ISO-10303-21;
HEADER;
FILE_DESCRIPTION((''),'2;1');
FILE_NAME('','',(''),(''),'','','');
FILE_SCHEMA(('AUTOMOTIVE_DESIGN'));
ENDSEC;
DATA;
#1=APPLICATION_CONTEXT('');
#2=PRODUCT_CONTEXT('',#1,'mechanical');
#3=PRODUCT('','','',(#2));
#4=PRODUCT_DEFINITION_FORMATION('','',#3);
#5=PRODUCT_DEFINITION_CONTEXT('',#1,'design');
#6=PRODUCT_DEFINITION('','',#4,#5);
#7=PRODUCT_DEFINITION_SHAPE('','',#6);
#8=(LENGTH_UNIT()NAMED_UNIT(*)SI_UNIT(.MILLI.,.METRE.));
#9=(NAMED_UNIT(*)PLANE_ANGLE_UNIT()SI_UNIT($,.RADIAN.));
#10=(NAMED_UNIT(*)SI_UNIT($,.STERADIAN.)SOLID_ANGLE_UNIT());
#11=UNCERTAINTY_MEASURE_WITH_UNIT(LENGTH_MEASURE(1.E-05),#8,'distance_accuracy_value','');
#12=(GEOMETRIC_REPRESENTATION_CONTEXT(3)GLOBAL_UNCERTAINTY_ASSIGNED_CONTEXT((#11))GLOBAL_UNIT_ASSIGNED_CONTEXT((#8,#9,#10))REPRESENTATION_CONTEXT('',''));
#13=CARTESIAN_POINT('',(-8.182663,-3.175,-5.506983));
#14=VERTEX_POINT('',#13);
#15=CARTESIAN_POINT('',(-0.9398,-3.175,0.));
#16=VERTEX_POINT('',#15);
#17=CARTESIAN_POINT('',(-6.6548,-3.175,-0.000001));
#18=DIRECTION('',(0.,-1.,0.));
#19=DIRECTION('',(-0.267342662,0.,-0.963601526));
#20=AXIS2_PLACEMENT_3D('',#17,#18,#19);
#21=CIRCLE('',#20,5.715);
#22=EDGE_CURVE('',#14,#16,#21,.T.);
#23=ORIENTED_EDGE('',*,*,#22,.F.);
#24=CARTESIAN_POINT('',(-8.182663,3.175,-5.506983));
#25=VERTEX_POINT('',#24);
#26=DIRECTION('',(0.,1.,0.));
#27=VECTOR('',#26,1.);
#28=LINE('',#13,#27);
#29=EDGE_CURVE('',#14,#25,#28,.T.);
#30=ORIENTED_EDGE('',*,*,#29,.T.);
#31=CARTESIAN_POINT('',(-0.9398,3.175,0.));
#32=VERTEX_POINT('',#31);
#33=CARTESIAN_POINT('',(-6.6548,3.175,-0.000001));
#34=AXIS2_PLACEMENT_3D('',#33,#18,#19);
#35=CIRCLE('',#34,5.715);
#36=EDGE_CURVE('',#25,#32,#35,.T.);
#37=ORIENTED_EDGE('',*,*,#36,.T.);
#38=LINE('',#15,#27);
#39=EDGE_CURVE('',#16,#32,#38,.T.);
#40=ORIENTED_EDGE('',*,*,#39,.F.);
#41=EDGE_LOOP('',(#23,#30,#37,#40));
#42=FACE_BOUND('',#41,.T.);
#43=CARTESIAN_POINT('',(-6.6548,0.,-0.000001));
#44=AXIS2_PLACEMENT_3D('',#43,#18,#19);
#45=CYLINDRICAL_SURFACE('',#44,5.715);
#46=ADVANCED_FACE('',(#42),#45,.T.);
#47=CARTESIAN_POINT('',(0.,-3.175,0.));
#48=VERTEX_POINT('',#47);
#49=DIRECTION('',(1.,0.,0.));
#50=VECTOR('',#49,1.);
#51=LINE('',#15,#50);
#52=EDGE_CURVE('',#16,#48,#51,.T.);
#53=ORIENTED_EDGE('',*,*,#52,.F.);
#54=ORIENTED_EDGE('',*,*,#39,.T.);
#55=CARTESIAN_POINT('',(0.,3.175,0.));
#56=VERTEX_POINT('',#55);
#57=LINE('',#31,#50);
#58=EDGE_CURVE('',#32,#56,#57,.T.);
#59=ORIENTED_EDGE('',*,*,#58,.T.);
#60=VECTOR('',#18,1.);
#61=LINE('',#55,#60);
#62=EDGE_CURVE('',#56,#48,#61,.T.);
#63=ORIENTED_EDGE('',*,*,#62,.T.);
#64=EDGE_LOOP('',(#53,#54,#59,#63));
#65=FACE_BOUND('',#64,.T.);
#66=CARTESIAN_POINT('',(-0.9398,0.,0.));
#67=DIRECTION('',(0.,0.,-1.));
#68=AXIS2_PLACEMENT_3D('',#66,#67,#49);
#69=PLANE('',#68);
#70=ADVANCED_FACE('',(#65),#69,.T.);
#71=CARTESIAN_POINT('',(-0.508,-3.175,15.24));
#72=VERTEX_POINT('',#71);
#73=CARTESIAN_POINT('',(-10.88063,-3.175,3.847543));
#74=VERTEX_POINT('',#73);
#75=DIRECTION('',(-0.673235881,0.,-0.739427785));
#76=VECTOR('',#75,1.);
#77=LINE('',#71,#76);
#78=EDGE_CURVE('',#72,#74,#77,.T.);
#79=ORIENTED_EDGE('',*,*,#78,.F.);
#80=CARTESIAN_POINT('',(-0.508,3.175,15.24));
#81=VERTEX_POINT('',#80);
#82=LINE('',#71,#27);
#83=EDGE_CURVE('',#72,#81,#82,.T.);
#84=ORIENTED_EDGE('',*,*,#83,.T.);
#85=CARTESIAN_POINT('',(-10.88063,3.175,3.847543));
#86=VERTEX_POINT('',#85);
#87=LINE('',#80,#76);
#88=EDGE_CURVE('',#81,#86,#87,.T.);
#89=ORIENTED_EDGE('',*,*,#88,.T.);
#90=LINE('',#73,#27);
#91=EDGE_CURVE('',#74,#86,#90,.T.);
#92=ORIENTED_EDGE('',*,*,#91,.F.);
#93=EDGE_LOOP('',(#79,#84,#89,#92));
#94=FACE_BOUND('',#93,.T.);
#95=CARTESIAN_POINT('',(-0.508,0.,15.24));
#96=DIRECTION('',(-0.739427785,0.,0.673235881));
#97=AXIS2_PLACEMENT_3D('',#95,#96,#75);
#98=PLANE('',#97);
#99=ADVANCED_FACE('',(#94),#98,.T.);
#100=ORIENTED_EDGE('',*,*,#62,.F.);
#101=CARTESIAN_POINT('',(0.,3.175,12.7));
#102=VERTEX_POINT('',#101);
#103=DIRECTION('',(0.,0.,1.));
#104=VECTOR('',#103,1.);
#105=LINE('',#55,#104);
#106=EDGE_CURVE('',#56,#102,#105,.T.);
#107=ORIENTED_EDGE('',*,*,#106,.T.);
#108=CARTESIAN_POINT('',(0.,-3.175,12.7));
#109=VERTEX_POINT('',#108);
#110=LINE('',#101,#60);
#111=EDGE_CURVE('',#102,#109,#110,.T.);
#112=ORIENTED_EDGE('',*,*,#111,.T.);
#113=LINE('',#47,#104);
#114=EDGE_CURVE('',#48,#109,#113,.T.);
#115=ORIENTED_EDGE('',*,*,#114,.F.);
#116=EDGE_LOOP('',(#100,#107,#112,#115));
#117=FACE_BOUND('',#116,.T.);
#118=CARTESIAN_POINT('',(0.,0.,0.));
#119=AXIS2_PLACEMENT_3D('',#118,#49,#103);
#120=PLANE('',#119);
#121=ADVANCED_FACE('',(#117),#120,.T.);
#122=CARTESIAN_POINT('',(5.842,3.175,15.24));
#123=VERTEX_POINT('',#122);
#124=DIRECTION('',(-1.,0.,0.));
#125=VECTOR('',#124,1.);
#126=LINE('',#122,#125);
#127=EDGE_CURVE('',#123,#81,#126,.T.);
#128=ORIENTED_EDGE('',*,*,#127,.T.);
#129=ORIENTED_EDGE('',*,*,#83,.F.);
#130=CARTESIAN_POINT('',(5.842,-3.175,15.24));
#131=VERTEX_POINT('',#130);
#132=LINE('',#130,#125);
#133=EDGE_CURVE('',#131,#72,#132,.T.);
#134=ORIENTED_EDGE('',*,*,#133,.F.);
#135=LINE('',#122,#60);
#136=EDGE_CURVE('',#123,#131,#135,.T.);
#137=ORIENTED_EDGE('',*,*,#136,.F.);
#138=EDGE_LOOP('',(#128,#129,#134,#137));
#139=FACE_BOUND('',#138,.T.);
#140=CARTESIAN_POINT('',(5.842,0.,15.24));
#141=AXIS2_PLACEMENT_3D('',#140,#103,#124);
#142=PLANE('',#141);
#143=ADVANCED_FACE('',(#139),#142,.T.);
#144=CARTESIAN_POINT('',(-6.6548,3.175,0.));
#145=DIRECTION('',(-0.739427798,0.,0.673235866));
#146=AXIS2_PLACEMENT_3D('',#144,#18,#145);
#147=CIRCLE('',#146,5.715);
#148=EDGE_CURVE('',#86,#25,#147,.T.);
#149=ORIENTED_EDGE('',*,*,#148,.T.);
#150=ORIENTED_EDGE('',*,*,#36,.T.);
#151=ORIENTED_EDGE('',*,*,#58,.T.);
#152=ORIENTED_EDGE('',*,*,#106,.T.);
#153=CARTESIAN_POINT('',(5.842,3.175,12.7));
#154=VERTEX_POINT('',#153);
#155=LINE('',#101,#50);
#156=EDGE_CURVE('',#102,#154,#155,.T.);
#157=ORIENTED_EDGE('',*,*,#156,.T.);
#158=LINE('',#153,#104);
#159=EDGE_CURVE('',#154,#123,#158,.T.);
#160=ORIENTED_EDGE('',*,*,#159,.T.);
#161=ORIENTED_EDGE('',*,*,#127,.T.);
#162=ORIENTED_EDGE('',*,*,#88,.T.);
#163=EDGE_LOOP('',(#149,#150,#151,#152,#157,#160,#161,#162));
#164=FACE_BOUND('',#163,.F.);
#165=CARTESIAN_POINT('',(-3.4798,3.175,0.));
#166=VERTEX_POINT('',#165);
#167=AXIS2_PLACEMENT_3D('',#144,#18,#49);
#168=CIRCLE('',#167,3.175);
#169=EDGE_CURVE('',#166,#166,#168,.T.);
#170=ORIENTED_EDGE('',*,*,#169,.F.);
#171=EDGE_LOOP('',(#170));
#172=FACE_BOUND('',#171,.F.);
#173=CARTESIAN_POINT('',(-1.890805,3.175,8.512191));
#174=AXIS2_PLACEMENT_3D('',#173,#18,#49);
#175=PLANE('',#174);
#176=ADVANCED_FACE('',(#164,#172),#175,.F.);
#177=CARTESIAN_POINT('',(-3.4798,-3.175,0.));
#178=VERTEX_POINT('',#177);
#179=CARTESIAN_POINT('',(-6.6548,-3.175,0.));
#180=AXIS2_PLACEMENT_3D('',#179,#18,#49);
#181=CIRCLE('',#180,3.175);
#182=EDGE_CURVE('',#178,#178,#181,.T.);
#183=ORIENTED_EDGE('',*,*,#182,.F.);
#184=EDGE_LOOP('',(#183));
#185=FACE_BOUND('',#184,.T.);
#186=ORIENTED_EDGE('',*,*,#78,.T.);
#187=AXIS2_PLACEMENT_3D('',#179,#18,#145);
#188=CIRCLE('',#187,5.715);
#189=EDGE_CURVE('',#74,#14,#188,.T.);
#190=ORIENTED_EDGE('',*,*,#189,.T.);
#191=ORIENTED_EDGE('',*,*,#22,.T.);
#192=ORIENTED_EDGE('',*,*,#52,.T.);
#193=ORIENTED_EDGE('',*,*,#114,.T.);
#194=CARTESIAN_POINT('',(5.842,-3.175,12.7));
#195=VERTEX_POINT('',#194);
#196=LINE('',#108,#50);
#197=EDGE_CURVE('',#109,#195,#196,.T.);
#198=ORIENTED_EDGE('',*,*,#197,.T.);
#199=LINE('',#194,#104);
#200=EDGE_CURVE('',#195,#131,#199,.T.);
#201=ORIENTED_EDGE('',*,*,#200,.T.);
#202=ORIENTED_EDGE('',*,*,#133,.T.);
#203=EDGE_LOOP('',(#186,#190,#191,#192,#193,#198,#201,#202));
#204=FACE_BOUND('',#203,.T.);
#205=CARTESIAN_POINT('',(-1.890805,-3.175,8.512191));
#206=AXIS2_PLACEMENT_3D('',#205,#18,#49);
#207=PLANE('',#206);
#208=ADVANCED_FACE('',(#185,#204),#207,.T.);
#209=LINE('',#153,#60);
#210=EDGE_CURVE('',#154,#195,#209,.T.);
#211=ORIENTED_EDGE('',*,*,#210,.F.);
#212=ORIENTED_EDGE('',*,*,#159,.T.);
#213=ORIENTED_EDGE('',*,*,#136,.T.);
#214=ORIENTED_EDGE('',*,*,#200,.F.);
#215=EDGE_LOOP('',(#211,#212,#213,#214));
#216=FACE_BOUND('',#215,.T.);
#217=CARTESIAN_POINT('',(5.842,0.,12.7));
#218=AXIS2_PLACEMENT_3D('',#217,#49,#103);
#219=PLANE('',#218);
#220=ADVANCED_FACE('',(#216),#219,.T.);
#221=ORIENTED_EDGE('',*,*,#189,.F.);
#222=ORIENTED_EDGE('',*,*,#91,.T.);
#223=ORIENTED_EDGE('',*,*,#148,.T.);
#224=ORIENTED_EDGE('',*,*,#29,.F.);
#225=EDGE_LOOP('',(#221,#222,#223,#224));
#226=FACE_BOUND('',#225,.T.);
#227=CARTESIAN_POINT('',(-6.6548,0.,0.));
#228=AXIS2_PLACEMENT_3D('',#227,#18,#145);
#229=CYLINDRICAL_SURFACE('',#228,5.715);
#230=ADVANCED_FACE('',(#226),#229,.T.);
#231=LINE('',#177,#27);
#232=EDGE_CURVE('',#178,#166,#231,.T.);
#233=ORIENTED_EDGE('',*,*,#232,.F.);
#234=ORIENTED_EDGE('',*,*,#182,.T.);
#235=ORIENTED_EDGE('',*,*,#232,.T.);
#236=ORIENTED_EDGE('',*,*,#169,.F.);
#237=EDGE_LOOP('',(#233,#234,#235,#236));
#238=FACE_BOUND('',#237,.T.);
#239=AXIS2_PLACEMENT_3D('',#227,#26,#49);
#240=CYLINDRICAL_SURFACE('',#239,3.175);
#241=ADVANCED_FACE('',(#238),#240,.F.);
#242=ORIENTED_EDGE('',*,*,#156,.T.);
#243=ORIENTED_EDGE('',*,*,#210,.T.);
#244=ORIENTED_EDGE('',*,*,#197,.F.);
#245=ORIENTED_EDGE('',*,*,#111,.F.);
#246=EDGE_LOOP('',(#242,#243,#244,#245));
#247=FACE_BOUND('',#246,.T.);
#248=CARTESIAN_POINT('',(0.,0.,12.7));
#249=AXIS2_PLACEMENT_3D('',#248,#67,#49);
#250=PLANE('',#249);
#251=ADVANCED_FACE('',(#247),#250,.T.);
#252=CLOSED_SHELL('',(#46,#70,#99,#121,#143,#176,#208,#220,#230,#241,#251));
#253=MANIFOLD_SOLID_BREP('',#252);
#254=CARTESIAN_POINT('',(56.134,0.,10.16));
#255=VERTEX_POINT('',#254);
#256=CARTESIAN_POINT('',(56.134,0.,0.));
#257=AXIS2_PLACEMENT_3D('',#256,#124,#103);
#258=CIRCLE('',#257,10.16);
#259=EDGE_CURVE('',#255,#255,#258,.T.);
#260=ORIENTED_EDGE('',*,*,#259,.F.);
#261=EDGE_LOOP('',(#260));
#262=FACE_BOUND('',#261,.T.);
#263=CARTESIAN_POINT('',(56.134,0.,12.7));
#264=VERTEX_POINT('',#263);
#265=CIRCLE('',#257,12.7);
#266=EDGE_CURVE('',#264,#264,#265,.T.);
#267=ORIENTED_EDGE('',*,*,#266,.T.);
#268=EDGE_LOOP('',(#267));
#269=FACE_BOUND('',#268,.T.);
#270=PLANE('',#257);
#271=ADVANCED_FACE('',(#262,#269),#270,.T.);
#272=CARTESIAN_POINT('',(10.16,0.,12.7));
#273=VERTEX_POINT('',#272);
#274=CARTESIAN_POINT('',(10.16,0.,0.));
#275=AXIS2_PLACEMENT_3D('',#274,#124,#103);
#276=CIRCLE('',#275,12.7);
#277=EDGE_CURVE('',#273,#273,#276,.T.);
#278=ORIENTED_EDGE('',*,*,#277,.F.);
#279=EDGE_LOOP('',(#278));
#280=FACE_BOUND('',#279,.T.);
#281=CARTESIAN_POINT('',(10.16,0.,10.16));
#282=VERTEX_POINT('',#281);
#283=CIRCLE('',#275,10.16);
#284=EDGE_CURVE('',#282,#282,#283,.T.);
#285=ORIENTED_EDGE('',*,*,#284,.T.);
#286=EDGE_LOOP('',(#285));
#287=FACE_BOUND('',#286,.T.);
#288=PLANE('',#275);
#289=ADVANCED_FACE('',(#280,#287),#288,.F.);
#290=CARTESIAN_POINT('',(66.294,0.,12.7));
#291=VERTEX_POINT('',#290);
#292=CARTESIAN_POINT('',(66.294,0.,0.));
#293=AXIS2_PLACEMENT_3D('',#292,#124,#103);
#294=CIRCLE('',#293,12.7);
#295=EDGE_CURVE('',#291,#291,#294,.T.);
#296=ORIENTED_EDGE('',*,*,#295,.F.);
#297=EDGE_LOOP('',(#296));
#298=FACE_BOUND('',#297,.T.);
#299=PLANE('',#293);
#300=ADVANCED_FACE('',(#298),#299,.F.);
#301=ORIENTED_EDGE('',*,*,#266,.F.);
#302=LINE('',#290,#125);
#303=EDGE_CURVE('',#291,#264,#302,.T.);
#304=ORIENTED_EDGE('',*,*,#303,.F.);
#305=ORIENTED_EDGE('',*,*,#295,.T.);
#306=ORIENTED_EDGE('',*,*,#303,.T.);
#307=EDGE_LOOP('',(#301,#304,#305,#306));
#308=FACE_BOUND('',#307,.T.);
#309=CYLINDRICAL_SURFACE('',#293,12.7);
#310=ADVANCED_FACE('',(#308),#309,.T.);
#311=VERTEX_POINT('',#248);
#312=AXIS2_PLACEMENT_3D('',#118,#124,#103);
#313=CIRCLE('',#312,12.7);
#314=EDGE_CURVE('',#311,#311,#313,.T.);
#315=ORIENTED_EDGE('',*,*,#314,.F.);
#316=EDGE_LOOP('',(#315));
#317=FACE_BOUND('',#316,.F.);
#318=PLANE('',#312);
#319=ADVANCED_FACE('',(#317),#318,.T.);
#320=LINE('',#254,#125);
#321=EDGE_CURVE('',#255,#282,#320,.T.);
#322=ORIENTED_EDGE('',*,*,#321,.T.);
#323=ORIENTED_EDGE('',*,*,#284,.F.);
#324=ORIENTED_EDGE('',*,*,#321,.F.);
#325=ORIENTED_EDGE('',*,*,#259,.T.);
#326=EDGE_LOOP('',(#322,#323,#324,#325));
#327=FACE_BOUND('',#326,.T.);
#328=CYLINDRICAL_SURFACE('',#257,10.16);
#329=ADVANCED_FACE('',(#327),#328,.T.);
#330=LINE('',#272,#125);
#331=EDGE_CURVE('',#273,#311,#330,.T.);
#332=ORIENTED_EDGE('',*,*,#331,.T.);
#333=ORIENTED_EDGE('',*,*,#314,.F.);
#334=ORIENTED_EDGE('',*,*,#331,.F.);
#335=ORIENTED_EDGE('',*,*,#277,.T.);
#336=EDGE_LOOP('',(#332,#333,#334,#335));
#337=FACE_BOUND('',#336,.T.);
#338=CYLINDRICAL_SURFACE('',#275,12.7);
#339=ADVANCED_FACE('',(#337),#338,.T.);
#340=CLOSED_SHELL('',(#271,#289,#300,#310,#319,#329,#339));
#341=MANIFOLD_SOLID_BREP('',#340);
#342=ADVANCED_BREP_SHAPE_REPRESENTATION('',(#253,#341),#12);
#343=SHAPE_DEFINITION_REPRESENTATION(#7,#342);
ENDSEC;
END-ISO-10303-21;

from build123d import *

# Parameters (mm, degrees)
F0_R     = 3.175
F1_DEPTH = 3.175
F0_W     = 5.842
F0_H     = 12.7


with BuildPart() as f1:
    # F0 (on Front) → F1 (new body, symmetric)
    with BuildSketch(Plane.XZ):
        with BuildLine():
            Line((-0.9398, 0), (0, 0))
            Line((0, 0), (0, 12.7))
            Line((0, 12.7), (5.842, 12.7))
            Line((5.842, 12.7), (5.842, 15.24))
            Line((5.842, 15.24), (-0.508, 15.24))
            Line((-0.508, 15.24), (-10.88063, 3.847543))
            ThreePointArc((-10.88063, 3.847543), (-4.591961, 5.329721), (-0.9398, 0))
        make_face()
        with BuildLine():
            ThreePointArc((-8.182663, -5.506983), (-3.195791, -4.549339), (-0.9398, 0))
            ThreePointArc((-0.9398, 0), (-4.591961, 5.329721), (-10.88063, 3.847543))
            ThreePointArc((-10.88063, 3.847543), (-12.145978, -1.583727), (-8.182663, -5.506983))
        make_face()
        with Locations((-6.6548, 0)):
            Circle(F0_R, mode=Mode.SUBTRACT)
    extrude(amount=F1_DEPTH, both=True)


with BuildPart() as f2:
    # F0 (on Front) → F2 (revolve)
    with BuildSketch(Plane.XZ):
        Polygon((5.842, 12.7), (5.842, 0), (66.294, 0), (66.294, 12.7), (56.134, 12.7), (56.134, 10.16), (10.16, 10.16), (10.16, 12.7), align=None)
        with Locations((2.921, 6.35)):
            Rectangle(F0_W, F0_H)
    revolve(axis=Axis((33.147, 0, 0), (-1, 0, 0)))


solid = Compound([f1.part, f2.part])
